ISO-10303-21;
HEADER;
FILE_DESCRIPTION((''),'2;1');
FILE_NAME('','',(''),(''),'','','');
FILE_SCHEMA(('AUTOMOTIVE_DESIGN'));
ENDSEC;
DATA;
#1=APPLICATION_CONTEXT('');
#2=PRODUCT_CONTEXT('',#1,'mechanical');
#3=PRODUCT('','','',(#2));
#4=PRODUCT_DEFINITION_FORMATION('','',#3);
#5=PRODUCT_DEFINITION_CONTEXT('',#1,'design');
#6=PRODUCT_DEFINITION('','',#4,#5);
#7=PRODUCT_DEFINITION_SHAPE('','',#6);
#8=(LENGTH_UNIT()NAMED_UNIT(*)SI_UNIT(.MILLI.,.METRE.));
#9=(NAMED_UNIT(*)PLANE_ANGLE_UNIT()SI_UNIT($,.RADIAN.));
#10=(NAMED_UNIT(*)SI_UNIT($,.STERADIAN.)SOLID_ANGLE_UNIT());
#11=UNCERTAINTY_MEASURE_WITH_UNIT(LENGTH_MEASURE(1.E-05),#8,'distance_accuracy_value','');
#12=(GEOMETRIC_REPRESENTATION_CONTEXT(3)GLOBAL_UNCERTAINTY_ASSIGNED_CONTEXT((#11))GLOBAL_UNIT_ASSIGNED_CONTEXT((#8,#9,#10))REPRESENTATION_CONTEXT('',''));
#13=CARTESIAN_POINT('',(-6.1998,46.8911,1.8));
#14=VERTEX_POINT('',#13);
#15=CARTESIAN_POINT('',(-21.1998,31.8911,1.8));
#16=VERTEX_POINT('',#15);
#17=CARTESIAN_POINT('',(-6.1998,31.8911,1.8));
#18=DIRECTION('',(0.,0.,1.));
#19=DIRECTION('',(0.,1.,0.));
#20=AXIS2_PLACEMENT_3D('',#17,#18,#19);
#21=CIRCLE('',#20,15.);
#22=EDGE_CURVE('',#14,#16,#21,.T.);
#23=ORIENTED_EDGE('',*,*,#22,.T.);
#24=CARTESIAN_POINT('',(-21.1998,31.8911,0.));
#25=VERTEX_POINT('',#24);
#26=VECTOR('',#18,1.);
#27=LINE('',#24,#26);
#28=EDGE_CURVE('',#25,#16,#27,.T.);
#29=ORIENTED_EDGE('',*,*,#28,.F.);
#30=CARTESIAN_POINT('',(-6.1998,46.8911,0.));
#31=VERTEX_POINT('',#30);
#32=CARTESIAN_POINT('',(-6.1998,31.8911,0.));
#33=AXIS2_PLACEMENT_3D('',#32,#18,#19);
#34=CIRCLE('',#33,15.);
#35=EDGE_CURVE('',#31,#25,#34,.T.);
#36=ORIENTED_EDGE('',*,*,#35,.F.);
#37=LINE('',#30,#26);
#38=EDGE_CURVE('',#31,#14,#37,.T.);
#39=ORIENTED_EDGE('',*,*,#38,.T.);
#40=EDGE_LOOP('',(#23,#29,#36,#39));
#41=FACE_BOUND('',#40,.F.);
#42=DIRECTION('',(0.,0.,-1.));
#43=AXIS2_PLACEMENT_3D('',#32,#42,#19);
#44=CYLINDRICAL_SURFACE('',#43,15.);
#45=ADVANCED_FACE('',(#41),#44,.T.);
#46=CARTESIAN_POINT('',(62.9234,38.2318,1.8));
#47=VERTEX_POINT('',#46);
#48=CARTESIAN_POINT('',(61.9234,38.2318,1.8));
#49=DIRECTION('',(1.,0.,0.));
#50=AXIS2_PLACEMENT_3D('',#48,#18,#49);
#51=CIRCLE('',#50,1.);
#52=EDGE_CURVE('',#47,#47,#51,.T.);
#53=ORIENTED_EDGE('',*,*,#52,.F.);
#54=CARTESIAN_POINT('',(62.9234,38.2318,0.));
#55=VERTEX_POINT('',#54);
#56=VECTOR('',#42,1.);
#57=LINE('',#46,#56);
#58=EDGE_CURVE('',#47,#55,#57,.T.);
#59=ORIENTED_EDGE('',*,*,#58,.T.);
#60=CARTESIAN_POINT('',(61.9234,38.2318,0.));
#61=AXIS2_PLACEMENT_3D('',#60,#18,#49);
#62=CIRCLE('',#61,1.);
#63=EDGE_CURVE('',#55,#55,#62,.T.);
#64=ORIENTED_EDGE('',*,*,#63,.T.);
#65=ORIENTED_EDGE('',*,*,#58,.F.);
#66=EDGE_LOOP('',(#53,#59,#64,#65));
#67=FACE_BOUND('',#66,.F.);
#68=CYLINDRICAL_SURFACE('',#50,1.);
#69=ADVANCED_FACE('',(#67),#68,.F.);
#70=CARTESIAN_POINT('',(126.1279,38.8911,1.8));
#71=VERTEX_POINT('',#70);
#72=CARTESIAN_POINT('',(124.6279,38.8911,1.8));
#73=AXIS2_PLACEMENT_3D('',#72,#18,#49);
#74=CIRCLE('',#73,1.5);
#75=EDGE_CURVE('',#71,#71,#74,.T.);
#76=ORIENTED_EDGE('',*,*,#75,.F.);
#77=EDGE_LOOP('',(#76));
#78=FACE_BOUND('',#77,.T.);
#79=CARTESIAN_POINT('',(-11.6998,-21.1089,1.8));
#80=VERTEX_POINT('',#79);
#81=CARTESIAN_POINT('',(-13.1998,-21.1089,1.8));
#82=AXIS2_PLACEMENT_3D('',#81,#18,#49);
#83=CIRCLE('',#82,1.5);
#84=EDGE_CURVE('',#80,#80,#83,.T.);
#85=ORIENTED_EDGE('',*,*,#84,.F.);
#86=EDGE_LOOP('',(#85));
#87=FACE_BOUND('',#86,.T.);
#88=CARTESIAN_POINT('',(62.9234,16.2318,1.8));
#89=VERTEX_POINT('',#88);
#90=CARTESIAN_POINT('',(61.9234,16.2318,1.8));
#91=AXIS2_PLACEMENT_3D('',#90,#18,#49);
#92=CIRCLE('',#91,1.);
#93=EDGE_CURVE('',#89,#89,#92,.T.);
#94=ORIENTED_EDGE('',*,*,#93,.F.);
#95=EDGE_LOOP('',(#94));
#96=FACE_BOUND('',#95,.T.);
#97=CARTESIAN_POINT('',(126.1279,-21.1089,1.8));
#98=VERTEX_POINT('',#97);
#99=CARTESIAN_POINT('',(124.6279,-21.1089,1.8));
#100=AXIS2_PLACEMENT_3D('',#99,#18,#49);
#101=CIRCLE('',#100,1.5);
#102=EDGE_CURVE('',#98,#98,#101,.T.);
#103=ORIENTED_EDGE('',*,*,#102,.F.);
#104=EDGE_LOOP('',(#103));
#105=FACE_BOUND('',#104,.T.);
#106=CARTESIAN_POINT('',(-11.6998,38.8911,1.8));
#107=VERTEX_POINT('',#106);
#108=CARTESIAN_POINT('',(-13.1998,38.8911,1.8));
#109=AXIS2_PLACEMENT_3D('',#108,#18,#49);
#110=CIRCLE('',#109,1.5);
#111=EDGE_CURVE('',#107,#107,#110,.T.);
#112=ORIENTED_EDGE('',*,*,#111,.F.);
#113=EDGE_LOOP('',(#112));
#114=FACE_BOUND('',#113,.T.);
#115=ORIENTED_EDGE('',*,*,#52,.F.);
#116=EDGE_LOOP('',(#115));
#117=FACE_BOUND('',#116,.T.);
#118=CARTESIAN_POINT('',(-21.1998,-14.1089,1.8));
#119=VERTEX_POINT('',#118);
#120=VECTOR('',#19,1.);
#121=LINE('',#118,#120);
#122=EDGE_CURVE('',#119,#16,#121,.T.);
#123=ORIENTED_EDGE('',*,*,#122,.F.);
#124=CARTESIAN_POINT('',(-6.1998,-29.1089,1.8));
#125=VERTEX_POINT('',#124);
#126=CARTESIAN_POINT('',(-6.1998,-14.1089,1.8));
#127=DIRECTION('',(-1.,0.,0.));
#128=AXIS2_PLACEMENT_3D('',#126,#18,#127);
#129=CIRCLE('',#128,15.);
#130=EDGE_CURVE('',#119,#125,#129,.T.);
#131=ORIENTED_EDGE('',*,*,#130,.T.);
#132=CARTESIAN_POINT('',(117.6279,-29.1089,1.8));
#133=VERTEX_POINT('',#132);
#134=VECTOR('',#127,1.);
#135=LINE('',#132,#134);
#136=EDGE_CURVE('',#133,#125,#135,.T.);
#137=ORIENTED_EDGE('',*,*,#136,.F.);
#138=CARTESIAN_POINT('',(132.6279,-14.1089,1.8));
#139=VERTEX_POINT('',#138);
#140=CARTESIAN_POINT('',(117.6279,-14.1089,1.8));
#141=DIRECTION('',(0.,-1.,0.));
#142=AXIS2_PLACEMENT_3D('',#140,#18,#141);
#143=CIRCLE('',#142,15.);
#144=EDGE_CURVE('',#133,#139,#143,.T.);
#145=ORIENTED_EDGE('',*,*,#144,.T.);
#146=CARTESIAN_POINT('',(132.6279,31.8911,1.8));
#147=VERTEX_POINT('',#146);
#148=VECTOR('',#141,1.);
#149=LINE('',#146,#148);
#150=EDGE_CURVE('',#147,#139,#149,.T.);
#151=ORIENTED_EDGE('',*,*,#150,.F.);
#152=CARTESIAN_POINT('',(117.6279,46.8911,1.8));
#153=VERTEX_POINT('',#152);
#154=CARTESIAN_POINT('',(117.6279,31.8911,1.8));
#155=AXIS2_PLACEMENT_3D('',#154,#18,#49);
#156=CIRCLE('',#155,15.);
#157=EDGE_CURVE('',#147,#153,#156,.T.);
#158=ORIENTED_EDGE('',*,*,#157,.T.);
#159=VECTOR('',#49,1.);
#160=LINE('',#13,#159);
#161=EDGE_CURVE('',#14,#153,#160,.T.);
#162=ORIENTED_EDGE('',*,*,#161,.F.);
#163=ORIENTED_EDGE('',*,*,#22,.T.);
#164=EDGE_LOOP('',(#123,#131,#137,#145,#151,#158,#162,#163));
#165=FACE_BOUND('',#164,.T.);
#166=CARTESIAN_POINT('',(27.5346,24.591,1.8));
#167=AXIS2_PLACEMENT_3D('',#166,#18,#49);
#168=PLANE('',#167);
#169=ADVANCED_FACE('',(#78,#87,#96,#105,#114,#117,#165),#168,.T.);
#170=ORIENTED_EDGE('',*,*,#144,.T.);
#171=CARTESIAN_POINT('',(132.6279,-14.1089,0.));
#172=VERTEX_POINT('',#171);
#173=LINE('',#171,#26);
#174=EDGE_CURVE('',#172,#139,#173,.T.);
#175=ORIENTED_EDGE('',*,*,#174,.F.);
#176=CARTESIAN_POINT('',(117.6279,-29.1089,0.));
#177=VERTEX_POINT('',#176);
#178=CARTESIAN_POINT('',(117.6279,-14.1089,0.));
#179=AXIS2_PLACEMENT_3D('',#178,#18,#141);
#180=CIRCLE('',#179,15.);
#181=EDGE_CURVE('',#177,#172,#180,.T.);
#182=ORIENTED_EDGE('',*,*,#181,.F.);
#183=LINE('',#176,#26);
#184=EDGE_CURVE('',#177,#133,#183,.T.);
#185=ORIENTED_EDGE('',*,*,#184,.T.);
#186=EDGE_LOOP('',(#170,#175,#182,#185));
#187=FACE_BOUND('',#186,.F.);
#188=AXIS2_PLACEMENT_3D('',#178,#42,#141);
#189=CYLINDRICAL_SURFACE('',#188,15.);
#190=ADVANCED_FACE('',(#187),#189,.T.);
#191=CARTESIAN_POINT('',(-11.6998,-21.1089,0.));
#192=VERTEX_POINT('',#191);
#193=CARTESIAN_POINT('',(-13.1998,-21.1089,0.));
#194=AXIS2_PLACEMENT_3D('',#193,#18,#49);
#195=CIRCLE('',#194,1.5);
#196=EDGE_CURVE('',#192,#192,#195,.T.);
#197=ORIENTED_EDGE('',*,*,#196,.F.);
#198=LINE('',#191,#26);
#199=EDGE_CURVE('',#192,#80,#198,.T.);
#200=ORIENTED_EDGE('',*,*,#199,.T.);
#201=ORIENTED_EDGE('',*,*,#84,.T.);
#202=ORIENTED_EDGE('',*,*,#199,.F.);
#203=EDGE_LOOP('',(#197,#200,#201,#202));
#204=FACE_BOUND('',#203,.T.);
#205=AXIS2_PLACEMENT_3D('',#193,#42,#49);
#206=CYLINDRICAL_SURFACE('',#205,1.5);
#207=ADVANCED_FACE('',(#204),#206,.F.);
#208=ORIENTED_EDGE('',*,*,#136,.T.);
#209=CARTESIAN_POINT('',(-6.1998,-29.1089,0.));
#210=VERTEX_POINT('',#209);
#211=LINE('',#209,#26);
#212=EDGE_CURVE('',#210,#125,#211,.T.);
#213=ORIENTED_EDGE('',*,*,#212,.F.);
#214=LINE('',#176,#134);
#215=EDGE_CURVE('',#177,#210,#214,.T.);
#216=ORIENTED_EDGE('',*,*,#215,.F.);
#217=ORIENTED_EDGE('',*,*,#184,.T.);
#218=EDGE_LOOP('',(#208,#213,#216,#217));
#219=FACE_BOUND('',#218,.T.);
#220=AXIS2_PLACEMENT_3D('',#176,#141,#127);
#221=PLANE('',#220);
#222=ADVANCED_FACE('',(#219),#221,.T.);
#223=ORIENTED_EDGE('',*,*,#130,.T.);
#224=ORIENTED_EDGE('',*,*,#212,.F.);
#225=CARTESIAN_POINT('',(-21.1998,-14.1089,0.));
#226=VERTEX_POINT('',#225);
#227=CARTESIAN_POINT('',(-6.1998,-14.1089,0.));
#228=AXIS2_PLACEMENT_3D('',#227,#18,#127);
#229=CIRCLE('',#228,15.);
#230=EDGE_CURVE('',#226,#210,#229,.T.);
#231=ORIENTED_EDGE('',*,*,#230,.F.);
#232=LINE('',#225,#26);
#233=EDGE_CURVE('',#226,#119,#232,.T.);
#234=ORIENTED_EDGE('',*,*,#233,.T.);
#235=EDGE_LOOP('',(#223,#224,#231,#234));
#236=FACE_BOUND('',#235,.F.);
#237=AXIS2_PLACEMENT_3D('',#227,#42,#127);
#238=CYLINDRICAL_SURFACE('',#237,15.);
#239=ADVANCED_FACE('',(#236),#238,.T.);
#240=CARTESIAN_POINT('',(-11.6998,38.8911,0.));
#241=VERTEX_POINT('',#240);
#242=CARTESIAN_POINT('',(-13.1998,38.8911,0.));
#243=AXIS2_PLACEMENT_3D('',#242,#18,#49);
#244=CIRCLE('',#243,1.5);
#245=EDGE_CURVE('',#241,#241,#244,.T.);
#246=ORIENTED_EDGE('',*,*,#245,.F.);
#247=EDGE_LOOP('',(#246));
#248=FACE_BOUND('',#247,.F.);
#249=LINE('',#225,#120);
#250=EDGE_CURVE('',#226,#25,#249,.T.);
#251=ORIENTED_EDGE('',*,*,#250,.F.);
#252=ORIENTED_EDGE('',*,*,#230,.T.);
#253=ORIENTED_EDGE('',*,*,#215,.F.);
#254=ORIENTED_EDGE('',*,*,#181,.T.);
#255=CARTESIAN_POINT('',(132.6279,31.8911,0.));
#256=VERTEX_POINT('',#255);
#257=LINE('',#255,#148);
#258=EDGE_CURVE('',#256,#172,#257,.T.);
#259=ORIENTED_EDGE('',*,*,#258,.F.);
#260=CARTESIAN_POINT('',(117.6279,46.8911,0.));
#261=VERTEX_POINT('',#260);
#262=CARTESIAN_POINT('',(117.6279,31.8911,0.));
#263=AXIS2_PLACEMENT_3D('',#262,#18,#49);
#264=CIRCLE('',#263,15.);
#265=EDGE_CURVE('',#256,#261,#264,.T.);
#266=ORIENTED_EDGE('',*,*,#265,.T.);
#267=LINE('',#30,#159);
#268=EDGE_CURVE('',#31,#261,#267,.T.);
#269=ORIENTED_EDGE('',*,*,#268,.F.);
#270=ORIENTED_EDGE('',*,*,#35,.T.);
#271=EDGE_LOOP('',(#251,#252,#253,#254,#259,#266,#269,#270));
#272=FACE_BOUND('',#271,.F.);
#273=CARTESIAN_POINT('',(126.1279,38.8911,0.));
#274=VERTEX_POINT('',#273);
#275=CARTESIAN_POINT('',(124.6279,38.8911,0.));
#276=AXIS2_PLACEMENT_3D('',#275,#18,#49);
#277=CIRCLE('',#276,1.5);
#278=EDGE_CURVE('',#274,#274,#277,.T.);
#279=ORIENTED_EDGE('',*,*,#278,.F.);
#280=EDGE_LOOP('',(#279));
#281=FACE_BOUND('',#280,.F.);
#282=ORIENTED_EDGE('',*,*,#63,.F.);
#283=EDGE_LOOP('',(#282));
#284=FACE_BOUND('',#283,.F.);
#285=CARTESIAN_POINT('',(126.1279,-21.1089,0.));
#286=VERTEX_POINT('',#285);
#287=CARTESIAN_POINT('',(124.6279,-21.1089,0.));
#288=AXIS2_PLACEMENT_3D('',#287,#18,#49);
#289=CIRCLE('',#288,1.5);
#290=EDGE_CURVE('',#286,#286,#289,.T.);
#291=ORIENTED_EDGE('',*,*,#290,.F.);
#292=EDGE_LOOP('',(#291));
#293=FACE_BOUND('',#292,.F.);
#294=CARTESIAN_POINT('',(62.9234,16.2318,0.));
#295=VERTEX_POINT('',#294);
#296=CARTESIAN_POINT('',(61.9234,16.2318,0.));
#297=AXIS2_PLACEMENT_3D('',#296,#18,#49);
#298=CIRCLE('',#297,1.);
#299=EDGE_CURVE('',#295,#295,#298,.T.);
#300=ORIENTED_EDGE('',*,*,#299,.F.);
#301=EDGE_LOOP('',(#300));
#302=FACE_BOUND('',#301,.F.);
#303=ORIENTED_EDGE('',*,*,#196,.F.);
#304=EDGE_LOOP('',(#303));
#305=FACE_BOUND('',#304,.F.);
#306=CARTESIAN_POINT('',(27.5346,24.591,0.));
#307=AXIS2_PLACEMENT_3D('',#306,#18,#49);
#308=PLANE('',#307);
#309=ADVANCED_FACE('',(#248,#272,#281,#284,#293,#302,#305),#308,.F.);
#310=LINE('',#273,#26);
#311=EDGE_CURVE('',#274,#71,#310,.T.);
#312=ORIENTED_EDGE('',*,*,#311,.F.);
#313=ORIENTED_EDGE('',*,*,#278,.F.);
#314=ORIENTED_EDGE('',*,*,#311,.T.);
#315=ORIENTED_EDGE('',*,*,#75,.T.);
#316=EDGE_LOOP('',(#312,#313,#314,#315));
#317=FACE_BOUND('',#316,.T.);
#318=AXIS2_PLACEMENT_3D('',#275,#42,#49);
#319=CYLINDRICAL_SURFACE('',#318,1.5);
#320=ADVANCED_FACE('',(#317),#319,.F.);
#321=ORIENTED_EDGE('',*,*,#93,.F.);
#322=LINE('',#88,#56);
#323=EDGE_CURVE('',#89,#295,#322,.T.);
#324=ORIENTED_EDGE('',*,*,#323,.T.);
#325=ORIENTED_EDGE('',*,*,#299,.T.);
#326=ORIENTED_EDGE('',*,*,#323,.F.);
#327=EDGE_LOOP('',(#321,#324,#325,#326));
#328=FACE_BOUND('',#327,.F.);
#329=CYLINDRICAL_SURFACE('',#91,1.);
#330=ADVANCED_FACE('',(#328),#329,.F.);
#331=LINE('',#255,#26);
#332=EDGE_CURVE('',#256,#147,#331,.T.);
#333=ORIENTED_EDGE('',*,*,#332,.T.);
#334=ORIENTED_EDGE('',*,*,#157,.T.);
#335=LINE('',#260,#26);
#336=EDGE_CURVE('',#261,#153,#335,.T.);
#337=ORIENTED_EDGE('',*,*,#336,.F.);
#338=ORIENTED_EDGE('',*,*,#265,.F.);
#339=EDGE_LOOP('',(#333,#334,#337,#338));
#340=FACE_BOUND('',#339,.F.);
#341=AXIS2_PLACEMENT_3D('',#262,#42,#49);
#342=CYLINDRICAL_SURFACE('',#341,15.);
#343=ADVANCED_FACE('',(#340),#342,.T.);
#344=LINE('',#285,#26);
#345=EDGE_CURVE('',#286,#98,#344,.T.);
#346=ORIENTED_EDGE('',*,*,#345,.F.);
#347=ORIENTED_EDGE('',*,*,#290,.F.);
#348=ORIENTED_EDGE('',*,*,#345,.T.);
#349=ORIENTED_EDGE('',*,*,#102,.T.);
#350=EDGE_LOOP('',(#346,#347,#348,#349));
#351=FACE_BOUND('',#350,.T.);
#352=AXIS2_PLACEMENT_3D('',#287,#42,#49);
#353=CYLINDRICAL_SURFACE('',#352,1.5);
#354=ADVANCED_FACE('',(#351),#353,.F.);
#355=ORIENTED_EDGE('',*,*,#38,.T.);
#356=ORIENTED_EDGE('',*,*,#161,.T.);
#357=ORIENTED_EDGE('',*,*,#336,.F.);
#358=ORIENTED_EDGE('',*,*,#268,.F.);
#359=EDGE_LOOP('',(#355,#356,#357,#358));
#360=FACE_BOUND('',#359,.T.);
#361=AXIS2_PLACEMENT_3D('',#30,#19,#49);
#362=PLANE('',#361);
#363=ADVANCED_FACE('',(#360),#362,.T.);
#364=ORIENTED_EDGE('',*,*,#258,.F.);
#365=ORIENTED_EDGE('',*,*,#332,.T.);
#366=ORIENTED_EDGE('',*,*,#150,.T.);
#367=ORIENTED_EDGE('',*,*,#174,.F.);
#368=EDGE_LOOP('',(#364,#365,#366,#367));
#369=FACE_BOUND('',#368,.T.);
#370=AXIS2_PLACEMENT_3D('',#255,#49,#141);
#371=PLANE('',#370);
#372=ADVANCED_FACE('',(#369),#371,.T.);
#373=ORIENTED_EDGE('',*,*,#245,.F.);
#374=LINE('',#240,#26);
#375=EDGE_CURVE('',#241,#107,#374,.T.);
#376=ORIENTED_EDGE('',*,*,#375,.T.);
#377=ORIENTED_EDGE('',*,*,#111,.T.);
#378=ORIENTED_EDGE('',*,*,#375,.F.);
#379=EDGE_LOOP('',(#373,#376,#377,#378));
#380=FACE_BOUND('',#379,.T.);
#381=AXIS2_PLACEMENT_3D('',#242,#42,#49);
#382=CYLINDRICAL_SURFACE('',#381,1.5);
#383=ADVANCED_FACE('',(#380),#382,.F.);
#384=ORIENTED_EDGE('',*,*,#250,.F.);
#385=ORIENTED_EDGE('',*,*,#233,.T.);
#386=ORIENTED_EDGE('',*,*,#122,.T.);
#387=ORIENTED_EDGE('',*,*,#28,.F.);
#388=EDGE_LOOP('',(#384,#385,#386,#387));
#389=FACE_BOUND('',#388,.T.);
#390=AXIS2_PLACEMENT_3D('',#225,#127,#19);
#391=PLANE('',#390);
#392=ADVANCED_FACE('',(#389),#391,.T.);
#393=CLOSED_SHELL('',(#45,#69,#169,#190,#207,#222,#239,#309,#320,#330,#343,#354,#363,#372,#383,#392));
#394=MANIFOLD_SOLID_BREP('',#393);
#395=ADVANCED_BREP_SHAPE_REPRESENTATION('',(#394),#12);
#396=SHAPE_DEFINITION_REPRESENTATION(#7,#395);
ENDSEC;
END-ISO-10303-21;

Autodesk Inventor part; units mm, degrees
ref_plane "YZ Plane" through (0, 0, 0) normal (1, 0, 0) x (0, 1, 0)
ref_plane "XZ Plane" through (0, 0, 0) normal (0, 1, 0) x (-1, 0, 0)
ref_plane "РабПлоскость1" through (27.5346, 24.591, 0) normal (0, 0, 1) x (1, 0, 0)
sketch "Эскиз1" plane through (27.5346, 24.591, 0) normal (0, 0, 1) x (1, 0, 0)
  line L0 (90.0933, -53.6999) -> (-33.7344, -53.6999)
  line L1 (-48.7344, -38.6999) -> (-48.7344, 7.3001)
  line L2 (-33.7344, 22.3001) -> (90.0933, 22.3001)
  line L3 (105.0933, 7.3001) -> (105.0933, -38.6999)
  arc A0 (-48.7344, -38.6999) -> (-33.7344, -53.6999) centre (-33.7344, -38.6999) ccw
  arc A1 (90.0933, -53.6999) -> (105.0933, -38.6999) centre (90.0933, -38.6999) ccw
  arc A2 (105.0933, 7.3001) -> (90.0933, 22.3001) centre (90.0933, 7.3001) ccw
  arc A3 (-33.7344, 22.3001) -> (-48.7344, 7.3001) centre (-33.7344, 7.3001) ccw
  circle A4 centre (97.0933, 14.3001) radius 1.5
  circle A5 centre (-40.7344, 14.3001) radius 1.5
  circle A6 centre (-40.7344, -45.6999) radius 1.5
  circle A7 centre (97.0933, -45.6999) radius 1.5
  point P0 (-27.5346, -24.591)
  dimension "d0" = 15
  dimension "d1" = 76
  dimension "d4" = 3
  dimension "d5" = 8
  dimension "d6" = 8
  dimension "d7" = 8
  dimension "d8" = 8
  dimension "d9" = 8
  dimension "d10" = 8
  dimension "d14" = 8
  dimension "d15" = 8
extrude "Выдавливание1" add sketch "Эскиз1" along normal blind 1.8
sketch "Эскиз2" plane through (27.5346, 24.591, 1.8) normal (0, 0, 1) x (1, 0, 0)
  circle A0 centre (34.3888, 13.6408) radius 1.3 projected
  circle A1 centre (34.3888, 13.6408) radius 1 projected
  circle A2 centre (34.3888, -8.3592) radius 1.3 projected
  circle A3 centre (34.3888, -8.3592) radius 1 projected
  point P0 (-27.5346, -24.591)
  dimension "d18" = 2
ref_plane "РабПлоскость2" through (-77.3721, -56.4658, 0) normal (0, 0, 1) x (1, 0, 0)
extrude "Выдавливание2" cut sketch "Эскиз2" against normal up to surface (1.8 mm away) contours A1 | A3
properties part number "плата"
